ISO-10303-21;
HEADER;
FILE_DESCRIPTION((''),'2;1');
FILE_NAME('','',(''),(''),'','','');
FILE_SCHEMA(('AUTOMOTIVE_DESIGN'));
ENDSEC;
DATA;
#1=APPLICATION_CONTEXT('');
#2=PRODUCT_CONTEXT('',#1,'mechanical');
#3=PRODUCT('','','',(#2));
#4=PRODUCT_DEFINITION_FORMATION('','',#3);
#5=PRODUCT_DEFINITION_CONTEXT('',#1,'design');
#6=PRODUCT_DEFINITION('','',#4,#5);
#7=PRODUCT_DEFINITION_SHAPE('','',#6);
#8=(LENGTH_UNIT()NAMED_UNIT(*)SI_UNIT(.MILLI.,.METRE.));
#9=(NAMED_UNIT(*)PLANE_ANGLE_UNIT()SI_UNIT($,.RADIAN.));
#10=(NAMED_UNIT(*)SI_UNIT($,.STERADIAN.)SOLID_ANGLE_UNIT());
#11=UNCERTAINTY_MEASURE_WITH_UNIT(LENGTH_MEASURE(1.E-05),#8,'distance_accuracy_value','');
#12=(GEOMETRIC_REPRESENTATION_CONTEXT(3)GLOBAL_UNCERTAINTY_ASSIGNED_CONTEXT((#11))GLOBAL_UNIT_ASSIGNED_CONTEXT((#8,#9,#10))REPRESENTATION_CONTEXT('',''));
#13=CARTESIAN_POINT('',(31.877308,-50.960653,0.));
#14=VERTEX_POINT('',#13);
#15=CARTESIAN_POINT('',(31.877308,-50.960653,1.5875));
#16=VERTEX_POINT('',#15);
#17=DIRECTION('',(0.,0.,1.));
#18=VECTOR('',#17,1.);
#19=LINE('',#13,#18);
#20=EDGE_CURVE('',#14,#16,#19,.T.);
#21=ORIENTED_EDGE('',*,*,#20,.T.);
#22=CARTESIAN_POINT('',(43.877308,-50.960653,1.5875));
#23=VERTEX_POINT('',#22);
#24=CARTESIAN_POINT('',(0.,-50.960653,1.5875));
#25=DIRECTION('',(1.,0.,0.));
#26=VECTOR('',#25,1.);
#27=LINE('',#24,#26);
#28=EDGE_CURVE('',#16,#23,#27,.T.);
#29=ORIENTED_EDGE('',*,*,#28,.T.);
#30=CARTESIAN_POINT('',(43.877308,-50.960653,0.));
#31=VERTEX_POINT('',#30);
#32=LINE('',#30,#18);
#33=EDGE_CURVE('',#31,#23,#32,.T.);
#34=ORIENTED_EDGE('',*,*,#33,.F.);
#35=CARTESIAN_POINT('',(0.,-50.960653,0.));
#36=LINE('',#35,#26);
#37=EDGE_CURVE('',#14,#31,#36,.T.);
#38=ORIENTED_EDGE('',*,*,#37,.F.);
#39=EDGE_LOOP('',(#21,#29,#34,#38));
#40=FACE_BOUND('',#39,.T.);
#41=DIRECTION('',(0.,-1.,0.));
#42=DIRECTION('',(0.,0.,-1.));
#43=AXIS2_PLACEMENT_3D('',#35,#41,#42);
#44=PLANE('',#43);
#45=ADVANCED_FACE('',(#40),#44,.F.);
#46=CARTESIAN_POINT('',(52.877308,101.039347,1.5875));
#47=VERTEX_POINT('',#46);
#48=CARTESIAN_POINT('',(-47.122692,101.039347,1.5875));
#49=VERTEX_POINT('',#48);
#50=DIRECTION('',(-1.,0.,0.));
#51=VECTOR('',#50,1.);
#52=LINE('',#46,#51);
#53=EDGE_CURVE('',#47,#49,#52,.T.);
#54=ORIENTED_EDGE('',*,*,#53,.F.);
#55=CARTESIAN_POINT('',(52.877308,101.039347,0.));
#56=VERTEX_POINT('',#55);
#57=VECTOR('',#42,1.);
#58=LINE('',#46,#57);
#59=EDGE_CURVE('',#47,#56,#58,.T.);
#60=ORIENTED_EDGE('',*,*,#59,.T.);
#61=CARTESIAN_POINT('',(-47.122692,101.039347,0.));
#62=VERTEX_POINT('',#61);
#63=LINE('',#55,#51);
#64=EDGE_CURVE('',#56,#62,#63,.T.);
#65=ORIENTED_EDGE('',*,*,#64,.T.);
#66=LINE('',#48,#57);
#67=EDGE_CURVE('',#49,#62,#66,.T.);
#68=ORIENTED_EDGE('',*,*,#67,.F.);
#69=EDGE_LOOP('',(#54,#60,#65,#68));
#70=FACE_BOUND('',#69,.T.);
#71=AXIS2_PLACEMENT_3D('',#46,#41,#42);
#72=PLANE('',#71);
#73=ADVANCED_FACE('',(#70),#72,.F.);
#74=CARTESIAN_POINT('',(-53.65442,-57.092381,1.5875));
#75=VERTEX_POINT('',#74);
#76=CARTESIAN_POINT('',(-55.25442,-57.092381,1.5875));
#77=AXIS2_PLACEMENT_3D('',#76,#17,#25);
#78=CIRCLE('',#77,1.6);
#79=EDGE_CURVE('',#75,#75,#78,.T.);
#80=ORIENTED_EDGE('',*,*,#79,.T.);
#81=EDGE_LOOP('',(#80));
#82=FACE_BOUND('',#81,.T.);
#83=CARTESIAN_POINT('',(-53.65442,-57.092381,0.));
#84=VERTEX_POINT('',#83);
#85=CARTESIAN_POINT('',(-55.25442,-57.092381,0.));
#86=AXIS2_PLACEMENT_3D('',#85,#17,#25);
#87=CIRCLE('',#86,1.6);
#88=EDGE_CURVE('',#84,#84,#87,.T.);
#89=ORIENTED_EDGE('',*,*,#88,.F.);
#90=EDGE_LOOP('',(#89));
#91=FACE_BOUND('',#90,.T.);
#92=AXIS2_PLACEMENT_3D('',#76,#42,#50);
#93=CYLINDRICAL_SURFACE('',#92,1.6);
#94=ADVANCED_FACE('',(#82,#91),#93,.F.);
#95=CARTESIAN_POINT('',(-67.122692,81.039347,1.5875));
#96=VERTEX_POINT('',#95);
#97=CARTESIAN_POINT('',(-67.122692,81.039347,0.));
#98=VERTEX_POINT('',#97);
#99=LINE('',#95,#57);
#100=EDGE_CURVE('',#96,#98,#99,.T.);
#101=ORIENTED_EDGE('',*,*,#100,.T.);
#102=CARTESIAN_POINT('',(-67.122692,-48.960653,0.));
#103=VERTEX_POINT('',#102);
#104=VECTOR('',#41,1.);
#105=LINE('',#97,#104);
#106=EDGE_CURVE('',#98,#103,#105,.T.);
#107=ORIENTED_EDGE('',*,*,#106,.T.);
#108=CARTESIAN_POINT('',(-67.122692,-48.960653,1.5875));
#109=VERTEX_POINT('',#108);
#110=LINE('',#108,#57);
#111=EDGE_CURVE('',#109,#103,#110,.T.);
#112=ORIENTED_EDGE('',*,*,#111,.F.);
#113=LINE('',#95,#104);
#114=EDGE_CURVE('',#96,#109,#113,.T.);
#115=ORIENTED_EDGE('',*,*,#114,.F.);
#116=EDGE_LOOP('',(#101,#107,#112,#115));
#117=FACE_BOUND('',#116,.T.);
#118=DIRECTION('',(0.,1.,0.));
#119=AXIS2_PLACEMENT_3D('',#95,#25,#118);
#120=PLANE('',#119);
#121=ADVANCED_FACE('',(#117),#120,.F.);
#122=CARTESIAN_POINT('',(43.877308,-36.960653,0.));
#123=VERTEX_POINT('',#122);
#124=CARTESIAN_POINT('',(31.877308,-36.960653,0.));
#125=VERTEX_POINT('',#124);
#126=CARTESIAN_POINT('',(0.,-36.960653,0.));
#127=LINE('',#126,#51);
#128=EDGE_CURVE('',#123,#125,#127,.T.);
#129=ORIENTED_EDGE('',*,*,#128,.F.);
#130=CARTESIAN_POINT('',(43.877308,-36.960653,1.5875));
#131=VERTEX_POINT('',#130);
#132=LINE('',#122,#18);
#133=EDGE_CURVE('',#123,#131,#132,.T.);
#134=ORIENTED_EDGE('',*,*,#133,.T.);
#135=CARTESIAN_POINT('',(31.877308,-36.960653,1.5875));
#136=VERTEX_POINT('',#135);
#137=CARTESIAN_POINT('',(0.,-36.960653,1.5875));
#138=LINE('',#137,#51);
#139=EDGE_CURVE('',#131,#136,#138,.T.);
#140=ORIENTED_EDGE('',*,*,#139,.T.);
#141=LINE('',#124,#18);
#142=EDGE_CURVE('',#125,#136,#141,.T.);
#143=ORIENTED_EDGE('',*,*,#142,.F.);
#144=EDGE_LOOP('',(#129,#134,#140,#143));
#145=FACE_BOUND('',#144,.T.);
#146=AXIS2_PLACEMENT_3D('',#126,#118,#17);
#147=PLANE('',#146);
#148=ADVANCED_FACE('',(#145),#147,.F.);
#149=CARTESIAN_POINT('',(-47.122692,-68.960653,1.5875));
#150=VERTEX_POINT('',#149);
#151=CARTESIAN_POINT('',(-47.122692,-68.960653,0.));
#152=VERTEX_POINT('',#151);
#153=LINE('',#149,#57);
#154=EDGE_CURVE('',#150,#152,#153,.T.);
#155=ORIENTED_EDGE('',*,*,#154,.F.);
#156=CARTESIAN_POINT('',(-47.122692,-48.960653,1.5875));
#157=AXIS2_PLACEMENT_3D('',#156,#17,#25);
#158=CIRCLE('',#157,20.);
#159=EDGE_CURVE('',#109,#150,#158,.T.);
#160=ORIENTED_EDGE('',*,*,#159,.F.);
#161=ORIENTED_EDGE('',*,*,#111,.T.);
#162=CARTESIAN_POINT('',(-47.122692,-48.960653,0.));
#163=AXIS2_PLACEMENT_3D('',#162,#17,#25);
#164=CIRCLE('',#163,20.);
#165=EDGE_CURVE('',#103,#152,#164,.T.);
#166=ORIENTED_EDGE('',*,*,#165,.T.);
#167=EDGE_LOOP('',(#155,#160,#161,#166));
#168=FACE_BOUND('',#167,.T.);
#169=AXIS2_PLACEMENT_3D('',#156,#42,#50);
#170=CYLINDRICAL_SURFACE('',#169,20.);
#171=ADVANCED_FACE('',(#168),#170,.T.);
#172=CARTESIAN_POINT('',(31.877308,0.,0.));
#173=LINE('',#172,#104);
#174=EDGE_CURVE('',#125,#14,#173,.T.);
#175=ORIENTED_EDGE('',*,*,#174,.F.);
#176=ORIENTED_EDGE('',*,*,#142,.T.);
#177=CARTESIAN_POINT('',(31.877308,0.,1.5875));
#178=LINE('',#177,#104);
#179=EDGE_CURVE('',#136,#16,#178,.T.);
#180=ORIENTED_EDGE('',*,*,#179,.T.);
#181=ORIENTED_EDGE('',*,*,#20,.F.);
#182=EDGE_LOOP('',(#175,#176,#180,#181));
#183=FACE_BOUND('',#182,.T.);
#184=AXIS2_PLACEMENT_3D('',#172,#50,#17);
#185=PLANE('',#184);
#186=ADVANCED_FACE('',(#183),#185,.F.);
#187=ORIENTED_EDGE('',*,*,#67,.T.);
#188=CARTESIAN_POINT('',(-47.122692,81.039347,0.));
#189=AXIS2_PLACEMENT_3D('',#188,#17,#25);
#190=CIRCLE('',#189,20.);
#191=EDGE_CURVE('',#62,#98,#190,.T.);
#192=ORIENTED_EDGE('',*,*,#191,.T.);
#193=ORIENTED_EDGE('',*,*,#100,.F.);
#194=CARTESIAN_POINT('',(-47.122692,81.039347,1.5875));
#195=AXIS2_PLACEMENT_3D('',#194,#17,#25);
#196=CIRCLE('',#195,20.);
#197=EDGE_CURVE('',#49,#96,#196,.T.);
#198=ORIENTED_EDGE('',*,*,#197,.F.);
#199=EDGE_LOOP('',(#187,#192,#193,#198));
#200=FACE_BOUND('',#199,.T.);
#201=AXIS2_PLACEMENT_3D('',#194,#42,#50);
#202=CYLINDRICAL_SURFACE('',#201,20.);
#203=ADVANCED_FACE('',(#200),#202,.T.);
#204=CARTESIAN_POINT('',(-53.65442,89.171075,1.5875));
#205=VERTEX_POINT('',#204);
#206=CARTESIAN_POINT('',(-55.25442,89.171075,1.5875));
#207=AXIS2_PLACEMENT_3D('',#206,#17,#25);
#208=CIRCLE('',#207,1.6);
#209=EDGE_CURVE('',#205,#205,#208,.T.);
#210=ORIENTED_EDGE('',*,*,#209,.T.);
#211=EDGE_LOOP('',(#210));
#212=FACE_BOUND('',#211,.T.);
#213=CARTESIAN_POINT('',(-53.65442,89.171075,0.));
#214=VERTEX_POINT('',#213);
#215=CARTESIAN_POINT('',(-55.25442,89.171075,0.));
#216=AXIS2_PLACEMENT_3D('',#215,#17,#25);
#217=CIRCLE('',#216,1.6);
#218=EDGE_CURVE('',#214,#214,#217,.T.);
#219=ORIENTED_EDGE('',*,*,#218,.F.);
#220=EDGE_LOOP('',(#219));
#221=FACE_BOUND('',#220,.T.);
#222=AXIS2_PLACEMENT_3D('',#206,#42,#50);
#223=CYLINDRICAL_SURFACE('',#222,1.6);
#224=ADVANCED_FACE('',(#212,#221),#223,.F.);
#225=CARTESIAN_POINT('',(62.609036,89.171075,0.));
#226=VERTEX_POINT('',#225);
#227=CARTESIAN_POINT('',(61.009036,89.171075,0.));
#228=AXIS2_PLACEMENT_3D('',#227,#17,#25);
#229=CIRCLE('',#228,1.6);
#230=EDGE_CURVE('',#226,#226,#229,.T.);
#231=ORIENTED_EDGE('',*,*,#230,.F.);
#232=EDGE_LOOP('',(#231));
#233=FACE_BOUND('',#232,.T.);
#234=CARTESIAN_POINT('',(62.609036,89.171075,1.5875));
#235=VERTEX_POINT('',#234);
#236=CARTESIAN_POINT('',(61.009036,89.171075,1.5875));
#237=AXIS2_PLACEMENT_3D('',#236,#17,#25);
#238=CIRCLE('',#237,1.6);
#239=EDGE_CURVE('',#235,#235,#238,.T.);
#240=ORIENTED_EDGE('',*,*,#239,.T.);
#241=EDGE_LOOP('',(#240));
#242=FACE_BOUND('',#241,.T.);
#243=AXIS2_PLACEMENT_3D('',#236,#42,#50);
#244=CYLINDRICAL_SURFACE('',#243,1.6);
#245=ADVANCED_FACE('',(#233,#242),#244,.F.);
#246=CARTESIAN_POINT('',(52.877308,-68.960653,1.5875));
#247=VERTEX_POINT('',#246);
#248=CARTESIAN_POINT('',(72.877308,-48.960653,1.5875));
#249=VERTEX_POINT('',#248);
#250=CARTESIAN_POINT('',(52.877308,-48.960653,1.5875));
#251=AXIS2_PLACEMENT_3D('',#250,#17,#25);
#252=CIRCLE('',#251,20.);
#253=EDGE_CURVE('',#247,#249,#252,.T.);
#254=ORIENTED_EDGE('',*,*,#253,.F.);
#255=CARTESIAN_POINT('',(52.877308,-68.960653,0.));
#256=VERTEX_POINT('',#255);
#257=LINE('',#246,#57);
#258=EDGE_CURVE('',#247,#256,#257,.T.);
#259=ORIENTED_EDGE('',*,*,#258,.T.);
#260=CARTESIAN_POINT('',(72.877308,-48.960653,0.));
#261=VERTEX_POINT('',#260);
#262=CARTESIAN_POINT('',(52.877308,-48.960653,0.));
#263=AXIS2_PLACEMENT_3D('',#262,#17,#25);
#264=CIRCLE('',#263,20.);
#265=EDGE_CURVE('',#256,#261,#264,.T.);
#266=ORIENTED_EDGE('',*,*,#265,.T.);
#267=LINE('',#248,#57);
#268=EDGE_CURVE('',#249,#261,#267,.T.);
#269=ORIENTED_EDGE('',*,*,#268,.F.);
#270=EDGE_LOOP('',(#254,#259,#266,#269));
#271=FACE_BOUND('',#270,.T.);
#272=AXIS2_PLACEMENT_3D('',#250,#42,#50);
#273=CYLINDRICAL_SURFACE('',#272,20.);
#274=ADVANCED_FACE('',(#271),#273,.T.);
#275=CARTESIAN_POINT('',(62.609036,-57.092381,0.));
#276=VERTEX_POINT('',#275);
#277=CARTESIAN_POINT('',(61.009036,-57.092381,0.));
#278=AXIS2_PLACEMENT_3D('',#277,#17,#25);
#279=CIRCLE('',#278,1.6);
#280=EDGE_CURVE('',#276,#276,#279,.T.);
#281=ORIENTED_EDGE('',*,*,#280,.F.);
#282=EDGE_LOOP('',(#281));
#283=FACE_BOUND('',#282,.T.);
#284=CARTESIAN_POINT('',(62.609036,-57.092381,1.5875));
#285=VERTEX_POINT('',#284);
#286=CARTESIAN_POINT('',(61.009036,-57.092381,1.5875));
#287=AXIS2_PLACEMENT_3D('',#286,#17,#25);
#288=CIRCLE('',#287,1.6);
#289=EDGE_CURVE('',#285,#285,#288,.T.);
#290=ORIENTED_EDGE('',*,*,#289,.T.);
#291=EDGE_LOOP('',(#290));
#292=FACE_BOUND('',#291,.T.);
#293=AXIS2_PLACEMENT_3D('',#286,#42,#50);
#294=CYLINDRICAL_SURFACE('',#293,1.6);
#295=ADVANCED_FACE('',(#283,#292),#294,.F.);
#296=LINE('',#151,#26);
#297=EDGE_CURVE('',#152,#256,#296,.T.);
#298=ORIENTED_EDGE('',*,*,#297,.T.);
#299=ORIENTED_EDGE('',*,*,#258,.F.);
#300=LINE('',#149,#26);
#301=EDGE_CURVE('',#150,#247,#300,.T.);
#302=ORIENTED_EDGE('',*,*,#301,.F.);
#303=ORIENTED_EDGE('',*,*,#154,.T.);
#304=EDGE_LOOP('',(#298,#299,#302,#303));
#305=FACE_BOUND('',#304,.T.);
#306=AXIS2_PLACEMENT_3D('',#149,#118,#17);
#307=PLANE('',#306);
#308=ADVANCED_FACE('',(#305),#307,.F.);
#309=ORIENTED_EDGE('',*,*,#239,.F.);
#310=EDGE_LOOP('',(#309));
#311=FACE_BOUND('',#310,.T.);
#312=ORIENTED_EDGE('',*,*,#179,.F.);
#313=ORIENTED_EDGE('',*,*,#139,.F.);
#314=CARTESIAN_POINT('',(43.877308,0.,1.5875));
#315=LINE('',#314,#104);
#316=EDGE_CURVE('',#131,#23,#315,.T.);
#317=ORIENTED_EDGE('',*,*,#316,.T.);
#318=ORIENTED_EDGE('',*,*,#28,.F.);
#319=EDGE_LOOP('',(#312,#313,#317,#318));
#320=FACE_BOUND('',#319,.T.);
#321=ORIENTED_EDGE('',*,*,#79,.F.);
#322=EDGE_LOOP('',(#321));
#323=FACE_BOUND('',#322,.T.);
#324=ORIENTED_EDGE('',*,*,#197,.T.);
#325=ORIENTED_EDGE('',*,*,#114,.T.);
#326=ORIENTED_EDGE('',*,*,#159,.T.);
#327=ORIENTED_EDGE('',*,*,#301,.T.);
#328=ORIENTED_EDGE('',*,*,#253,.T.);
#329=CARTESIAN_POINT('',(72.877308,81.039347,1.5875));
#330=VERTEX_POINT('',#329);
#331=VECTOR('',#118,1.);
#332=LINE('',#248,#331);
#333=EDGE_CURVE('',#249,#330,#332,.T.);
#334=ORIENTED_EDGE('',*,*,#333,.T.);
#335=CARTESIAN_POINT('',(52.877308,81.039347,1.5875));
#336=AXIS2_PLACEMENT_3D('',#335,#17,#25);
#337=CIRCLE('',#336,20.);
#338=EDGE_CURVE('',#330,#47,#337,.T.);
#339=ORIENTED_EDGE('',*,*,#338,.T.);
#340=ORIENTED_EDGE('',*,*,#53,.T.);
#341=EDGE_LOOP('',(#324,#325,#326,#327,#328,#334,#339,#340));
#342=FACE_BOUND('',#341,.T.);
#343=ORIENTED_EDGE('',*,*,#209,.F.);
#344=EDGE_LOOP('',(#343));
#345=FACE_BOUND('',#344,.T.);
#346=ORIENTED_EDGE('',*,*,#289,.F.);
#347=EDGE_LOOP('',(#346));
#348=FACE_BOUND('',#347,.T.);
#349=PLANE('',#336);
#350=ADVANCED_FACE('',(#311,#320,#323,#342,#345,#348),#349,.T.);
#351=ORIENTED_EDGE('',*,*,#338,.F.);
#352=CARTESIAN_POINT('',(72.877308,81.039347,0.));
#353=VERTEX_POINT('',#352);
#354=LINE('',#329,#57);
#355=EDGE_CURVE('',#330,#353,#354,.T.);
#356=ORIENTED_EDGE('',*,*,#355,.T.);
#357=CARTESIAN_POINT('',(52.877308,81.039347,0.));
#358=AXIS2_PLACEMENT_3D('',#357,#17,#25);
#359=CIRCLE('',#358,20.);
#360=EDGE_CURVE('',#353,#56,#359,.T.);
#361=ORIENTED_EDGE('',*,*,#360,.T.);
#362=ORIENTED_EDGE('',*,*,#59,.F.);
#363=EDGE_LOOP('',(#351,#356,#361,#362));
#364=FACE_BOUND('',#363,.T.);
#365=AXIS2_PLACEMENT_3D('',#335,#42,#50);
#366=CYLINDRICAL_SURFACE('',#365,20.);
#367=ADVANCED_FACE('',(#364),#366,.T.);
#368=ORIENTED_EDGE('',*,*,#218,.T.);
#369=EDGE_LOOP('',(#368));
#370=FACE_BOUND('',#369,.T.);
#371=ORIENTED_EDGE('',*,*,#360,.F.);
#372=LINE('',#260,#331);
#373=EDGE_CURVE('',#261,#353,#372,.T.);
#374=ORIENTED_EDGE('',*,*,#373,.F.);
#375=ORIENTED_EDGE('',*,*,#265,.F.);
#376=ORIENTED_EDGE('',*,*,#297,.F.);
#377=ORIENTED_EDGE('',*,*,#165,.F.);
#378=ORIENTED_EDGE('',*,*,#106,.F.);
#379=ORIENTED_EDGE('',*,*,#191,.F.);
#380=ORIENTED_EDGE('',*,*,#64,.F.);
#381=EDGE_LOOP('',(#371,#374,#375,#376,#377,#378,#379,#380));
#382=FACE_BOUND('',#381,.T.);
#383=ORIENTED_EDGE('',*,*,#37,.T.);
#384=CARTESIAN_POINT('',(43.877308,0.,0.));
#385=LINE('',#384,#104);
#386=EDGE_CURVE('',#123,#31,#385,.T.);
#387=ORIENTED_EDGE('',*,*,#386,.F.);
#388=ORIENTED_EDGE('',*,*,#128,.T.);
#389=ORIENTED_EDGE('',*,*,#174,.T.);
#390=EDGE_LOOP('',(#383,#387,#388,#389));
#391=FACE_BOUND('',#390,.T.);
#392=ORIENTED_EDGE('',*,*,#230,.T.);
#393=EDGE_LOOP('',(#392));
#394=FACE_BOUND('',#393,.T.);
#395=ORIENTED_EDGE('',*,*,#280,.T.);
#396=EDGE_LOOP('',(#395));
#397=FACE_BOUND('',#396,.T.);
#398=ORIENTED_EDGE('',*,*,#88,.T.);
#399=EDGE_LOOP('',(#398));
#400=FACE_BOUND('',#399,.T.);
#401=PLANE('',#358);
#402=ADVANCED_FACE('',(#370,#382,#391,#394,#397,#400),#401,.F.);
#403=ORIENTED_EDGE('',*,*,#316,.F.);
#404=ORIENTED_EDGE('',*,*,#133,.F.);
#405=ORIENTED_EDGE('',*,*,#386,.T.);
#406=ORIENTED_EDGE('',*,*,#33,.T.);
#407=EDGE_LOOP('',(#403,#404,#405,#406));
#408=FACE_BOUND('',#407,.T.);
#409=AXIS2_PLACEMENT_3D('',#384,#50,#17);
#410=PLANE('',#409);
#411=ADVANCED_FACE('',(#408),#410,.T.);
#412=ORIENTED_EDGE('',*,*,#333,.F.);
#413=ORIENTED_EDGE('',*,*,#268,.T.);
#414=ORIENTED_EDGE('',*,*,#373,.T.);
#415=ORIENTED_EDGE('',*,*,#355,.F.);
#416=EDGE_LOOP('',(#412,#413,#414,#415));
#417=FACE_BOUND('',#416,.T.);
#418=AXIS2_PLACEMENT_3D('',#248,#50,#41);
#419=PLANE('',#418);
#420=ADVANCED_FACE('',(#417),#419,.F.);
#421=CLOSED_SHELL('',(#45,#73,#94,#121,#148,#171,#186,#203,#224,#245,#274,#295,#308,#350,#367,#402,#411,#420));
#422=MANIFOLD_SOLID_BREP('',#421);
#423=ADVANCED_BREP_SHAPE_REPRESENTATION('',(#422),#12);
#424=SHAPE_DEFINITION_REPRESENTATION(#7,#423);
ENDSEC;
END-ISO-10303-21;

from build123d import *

# Parameters (mm, degrees)
SKETCH1_R           = 1.6
BOSS_EXTRUDE1_DEPTH = 1.5875
SKETCH3_W           = 12
SKETCH3_H           = 14
CUT_EXTRUDE1_DEPTH  = 125.589614038


with BuildPart() as part:
    # Sketch1 → Boss-Extrude1 (new body)
    with BuildSketch(Plane.XY):
        with BuildLine():
            Line((52.877308189, 101.03934739), (-47.122691811, 101.03934739))
            ThreePointArc((-47.122691811, 101.03934739), (-61.264827435, 95.181483014), (-67.122691811, 81.03934739))
            Line((-67.122691811, 81.03934739), (-67.122691811, -48.96065261))
            ThreePointArc((-67.122691811, -48.96065261), (-61.264827435, -63.102788233), (-47.122691811, -68.96065261))
            Line((-47.122691811, -68.96065261), (52.877308189, -68.96065261))
            ThreePointArc((52.877308189, -68.96065261), (67.019443812, -63.102788233), (72.877308189, -48.96065261))
            Line((72.877308189, -48.96065261), (72.877308189, 81.03934739))
            ThreePointArc((72.877308189, 81.03934739), (67.019443812, 95.181483014), (52.877308189, 101.03934739))
        make_face()
        with Locations((-55.254419795, -57.092380593)):
            Circle(SKETCH1_R, mode=Mode.SUBTRACT)
        with Locations((61.009036172, -57.092380593)):
            Circle(SKETCH1_R, mode=Mode.SUBTRACT)
        with Locations((61.009036172, 89.171075374)):
            Circle(SKETCH1_R, mode=Mode.SUBTRACT)
        with Locations((-55.254419795, 89.171075374)):
            Circle(SKETCH1_R, mode=Mode.SUBTRACT)
    extrude(amount=BOSS_EXTRUDE1_DEPTH)

    # Sketch3 → Cut-Extrude1 (cut, through all)
    with BuildSketch(Plane.XY.offset(1.5875)):
        with Locations((37.877308189, -43.96065261)):
            Rectangle(SKETCH3_W, SKETCH3_H)
    extrude(amount=-CUT_EXTRUDE1_DEPTH, mode=Mode.SUBTRACT)


solid = part.part
